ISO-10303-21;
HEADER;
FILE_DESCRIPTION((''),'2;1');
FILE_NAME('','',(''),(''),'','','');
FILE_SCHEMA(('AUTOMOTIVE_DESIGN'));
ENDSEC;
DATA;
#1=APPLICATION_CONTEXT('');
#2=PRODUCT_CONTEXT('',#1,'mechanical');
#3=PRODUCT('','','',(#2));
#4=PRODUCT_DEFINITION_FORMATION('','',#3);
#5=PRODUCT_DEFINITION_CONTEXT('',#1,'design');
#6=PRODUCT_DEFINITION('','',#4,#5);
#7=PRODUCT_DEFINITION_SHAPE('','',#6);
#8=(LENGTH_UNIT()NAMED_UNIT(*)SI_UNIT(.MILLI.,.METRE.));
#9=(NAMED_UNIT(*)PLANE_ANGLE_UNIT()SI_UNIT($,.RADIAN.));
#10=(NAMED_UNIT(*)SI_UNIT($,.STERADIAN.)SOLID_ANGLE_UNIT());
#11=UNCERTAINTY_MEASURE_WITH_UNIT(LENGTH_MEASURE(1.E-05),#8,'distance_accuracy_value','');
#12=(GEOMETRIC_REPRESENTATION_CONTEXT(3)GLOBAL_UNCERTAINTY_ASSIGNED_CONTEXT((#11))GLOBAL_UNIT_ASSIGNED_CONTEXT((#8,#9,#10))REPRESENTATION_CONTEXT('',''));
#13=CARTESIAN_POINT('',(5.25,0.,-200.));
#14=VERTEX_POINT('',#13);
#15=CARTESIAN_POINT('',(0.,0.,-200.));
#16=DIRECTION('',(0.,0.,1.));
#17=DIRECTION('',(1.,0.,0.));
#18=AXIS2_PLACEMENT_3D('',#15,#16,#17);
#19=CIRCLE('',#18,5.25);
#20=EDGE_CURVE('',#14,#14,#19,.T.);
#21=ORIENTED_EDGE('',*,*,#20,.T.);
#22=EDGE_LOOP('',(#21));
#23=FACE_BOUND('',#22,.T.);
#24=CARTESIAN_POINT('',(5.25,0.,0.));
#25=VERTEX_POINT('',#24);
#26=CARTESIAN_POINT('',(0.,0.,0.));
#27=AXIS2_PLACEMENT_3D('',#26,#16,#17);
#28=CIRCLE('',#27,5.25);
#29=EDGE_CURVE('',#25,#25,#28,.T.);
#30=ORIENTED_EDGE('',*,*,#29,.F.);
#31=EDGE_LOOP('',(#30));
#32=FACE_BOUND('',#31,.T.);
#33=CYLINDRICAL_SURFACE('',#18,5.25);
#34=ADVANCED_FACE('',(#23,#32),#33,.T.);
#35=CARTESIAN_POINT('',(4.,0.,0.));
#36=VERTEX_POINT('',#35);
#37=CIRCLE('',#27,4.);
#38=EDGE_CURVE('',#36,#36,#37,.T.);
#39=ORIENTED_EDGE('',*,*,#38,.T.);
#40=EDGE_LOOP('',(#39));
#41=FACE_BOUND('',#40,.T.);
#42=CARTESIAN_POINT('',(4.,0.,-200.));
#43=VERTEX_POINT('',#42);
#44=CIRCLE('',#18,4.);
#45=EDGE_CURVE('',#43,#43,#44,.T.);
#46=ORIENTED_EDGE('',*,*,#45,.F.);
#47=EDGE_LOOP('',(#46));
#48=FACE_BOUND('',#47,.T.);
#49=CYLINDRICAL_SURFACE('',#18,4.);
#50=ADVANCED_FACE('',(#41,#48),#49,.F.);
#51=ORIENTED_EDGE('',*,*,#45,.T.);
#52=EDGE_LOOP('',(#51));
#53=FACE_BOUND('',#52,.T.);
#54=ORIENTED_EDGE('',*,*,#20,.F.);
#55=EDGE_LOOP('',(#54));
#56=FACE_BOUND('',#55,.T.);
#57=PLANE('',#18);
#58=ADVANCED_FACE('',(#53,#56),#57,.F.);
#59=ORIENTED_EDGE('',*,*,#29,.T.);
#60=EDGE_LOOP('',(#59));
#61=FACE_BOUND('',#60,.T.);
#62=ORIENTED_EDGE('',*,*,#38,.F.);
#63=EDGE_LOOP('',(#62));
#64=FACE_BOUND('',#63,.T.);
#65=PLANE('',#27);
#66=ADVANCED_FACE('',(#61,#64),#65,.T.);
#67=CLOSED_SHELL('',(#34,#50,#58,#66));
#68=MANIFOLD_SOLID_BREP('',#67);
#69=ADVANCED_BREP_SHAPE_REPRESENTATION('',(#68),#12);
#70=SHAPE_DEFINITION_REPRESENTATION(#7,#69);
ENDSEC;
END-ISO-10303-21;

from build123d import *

# Parameters (mm, degrees)
SKETCH1_R           = 5.25
SKETCH1_R_2         = 4
BOSS_EXTRUDE1_DEPTH = 200


with BuildPart() as part:
    # Sketch1 → Boss-Extrude1 (new body)
    with BuildSketch(Plane.XY):
        Circle(SKETCH1_R)
        Circle(SKETCH1_R_2, mode=Mode.SUBTRACT)
    extrude(amount=-BOSS_EXTRUDE1_DEPTH)


solid = part.part
